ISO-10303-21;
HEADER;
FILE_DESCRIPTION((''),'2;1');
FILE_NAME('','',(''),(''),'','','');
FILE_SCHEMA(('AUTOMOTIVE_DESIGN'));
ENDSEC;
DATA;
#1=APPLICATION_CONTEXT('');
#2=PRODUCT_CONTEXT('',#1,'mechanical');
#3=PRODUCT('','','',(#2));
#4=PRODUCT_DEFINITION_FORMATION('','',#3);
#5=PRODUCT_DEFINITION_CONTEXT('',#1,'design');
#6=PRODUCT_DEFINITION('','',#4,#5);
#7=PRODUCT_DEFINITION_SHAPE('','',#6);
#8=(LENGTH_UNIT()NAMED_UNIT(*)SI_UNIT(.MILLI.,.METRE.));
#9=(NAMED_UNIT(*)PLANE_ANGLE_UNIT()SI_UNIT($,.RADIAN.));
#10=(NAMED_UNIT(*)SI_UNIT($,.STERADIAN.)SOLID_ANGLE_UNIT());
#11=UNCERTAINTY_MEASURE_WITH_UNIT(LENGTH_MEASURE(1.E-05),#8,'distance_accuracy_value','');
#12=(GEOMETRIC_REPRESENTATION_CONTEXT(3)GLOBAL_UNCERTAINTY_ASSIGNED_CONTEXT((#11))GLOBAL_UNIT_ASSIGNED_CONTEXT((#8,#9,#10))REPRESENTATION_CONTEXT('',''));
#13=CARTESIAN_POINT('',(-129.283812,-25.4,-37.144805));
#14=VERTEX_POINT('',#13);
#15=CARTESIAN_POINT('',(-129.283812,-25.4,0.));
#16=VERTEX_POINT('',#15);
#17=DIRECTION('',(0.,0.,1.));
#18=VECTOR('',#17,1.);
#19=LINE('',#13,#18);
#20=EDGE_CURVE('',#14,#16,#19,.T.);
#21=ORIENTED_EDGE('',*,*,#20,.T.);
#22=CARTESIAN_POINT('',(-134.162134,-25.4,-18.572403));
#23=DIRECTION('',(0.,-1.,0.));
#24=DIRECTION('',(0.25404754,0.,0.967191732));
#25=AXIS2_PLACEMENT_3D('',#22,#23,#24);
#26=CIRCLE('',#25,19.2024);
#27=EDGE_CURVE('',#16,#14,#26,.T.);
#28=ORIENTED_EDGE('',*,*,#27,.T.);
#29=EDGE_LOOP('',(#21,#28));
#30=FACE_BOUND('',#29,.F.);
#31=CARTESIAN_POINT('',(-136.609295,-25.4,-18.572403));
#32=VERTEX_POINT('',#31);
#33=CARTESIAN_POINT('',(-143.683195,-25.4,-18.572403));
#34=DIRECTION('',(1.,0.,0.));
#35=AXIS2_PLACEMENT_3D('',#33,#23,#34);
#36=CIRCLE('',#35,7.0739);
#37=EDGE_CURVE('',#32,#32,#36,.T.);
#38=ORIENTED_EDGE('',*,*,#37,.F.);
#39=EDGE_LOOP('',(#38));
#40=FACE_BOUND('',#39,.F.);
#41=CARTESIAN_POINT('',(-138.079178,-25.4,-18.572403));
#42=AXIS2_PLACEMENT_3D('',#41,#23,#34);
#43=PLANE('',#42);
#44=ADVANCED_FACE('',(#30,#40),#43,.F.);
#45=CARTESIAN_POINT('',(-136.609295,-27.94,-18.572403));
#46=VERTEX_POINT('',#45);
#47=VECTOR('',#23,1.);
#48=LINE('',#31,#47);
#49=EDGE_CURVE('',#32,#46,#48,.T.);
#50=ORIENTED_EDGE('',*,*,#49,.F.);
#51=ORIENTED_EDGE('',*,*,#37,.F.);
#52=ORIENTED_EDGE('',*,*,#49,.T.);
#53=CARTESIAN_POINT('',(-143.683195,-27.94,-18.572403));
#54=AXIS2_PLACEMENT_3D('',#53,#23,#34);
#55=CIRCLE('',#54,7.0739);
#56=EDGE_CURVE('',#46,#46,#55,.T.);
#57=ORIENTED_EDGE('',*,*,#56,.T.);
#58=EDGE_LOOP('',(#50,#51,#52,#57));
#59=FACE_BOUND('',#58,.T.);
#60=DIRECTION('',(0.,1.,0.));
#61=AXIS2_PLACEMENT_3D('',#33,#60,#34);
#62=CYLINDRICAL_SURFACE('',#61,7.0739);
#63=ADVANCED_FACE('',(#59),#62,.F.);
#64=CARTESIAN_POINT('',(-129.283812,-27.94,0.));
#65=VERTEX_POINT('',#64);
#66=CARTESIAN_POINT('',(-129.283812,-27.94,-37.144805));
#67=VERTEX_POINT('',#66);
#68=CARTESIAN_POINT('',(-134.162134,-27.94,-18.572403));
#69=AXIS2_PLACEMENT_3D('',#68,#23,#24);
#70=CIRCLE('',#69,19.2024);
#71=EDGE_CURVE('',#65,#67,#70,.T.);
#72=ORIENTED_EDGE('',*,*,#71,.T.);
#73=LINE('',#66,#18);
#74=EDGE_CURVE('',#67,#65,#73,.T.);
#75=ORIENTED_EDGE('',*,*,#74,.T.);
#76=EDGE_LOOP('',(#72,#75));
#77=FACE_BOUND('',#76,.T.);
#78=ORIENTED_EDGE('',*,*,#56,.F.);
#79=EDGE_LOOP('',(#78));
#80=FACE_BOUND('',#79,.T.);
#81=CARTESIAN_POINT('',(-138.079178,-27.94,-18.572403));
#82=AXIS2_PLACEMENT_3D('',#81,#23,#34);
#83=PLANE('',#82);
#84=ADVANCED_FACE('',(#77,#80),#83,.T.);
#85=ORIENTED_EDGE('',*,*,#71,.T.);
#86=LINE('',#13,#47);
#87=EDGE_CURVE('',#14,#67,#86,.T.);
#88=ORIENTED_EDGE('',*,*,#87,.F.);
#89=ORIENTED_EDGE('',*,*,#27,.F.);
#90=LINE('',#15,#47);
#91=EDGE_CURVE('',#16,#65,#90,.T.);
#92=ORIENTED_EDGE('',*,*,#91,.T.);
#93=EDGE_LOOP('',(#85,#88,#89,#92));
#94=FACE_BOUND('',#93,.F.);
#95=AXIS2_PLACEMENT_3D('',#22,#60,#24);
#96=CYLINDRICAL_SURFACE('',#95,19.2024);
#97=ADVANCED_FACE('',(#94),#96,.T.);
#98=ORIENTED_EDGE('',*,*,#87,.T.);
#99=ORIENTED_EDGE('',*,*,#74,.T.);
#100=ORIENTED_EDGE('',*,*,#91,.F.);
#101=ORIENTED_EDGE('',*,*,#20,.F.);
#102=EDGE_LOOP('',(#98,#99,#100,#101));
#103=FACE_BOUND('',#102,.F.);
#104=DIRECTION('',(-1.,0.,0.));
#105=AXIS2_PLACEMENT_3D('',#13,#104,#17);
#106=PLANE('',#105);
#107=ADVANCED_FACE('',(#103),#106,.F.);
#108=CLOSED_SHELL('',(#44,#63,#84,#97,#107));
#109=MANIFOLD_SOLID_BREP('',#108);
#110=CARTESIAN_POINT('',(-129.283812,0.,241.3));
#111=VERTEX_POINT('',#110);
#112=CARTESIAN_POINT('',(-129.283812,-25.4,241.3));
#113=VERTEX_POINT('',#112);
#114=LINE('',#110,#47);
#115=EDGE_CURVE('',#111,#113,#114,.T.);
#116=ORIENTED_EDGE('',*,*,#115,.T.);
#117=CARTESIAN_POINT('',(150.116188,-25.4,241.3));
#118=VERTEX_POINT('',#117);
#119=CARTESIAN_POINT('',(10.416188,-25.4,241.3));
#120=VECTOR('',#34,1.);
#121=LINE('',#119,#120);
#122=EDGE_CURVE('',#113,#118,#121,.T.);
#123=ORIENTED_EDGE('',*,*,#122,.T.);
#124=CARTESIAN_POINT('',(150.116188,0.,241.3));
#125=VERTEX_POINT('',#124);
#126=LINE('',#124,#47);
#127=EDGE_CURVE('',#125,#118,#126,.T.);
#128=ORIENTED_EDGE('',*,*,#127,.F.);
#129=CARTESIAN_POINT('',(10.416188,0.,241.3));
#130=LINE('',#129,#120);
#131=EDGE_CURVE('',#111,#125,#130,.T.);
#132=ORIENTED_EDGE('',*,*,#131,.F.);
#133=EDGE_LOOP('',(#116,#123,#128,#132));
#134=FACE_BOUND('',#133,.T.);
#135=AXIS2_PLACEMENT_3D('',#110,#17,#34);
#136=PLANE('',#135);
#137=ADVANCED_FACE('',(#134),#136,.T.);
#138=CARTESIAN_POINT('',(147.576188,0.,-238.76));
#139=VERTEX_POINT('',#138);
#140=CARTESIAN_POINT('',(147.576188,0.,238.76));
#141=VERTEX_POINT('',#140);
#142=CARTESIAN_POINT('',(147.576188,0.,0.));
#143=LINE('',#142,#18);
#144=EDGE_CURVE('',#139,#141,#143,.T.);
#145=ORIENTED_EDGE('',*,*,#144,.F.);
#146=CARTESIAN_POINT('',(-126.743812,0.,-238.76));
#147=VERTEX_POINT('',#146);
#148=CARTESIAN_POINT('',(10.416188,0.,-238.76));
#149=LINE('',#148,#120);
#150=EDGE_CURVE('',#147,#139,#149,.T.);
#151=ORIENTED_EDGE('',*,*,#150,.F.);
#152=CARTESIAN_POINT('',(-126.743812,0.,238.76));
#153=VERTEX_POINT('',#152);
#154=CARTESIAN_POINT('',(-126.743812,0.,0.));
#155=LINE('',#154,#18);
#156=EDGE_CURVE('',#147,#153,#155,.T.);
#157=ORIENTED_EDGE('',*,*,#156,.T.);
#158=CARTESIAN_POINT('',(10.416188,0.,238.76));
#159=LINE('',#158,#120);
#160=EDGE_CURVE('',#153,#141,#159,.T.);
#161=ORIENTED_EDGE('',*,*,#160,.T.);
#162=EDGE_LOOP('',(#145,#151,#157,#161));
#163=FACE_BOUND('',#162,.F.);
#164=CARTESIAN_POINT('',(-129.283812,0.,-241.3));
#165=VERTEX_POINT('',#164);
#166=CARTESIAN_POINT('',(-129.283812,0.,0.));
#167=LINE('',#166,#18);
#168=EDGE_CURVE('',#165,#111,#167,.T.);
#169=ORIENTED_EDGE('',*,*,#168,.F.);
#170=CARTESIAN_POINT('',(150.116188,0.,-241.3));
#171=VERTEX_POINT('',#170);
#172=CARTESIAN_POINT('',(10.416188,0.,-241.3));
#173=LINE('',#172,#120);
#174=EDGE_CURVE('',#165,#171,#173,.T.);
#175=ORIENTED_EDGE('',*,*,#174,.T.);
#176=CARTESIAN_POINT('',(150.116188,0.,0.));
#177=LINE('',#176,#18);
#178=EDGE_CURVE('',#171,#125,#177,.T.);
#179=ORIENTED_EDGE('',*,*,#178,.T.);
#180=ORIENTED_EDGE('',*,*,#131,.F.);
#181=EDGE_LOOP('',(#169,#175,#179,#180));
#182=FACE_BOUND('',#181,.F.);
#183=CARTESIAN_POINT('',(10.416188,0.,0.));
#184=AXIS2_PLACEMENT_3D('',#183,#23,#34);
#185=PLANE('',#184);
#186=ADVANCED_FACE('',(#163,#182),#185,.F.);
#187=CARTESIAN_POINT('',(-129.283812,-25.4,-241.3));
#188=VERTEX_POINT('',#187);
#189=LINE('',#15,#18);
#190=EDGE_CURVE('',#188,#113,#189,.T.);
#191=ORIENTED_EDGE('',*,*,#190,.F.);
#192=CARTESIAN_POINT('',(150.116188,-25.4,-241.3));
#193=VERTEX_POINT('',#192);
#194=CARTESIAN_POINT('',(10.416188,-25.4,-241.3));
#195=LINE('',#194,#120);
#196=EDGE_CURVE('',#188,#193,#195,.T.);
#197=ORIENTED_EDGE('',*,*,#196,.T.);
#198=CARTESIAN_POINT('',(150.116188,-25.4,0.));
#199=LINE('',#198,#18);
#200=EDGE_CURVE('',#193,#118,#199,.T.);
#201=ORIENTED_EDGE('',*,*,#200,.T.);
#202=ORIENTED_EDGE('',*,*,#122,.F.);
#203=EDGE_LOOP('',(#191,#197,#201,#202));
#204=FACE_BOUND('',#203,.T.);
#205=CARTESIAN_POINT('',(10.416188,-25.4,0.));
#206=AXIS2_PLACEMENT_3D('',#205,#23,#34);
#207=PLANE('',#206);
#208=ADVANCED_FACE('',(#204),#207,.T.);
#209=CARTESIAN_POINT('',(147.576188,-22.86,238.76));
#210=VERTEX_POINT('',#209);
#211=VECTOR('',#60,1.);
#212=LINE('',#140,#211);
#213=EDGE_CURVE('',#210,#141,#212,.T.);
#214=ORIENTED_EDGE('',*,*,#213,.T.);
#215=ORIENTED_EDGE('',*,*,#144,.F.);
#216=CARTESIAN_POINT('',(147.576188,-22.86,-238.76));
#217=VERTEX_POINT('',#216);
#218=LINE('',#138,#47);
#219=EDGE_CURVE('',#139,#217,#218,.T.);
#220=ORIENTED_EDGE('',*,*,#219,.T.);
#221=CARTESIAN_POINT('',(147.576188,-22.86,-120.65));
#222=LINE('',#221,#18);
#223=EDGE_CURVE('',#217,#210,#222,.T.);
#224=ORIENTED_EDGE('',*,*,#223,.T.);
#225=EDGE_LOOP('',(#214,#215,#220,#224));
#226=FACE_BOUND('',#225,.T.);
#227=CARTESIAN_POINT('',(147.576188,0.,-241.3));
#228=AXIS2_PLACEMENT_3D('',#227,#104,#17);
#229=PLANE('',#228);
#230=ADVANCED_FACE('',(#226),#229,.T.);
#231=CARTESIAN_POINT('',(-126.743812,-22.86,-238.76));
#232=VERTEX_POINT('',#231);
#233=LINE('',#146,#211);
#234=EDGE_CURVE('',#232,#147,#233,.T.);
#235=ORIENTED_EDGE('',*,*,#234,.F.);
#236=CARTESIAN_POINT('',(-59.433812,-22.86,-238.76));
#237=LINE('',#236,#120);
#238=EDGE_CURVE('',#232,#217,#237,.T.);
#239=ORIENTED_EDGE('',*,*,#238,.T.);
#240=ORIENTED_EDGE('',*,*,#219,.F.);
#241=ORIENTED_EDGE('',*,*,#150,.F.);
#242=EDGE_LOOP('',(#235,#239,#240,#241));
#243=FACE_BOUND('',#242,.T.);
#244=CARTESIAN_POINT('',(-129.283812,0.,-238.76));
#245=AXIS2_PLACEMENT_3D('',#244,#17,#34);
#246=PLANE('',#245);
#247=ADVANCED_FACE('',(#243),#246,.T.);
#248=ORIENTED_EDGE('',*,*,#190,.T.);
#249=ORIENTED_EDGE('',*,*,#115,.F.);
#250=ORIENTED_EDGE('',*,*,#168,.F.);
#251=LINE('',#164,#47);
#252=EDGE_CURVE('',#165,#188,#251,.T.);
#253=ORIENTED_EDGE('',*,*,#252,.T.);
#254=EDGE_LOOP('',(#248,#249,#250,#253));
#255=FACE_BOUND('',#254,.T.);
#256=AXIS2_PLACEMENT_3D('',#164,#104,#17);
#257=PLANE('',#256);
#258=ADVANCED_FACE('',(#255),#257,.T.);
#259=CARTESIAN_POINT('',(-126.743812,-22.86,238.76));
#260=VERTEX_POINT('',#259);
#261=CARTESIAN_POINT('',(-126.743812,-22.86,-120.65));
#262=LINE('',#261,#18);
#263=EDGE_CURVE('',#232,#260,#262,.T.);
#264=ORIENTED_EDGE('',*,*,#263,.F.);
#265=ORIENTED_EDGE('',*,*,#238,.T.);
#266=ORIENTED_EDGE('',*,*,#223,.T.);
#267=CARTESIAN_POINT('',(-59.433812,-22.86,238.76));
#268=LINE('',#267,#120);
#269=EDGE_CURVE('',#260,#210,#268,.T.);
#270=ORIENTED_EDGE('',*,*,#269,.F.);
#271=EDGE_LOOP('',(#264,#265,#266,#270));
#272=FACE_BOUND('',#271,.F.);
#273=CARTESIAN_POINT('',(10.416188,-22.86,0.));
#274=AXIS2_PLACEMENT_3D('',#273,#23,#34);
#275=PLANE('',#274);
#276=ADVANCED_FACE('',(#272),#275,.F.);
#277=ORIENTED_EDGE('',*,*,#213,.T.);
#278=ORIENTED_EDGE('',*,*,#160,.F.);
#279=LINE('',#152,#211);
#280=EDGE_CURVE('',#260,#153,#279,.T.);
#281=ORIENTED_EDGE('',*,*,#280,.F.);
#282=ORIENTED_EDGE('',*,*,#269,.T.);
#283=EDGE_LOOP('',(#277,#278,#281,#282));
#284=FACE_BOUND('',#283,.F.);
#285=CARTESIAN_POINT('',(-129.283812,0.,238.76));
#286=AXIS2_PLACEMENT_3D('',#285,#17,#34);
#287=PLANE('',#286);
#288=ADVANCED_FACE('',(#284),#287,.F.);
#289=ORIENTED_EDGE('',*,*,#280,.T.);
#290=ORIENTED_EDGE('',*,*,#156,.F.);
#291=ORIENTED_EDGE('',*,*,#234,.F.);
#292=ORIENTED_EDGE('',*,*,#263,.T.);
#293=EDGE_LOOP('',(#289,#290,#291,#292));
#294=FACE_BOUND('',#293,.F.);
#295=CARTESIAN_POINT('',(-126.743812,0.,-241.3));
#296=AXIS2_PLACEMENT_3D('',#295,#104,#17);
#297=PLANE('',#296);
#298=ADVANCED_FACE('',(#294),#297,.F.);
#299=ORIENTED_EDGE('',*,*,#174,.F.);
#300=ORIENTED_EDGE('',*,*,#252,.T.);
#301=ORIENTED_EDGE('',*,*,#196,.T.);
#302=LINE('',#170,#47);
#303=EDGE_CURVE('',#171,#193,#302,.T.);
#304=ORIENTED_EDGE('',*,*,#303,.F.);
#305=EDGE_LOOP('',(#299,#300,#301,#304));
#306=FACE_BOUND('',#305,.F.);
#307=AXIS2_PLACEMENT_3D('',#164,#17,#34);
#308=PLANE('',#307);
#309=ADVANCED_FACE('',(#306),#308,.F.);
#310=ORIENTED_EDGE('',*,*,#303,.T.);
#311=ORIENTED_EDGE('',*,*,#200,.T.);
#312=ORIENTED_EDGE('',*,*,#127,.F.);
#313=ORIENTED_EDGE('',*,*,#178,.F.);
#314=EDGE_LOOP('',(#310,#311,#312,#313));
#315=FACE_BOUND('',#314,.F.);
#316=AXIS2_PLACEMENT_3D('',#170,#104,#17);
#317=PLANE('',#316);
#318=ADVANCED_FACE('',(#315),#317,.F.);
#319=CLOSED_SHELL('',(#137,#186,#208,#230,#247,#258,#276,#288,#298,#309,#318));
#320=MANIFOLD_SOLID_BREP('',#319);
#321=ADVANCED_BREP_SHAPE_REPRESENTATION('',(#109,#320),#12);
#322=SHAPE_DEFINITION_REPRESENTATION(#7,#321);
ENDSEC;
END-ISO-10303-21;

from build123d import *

# Parameters (mm, degrees)
F0_W     = 279.4
F0_H     = 482.6
F1_DEPTH = 25.4
F2_T     = -2.54
F3_R     = 7.0739
F4_DEPTH = 2.54


with BuildPart() as f1:
    # F0 (on Front) → F1 (new body)
    with BuildSketch(Plane.XZ):
        with Locations((10.4161884375, 0)):
            Rectangle(F0_W, F0_H)
    extrude(amount=F1_DEPTH)

    # F2
    f2_openings = [f1.faces().sort_by_distance(p)[0] for p in [
        (10.416188, 0, 0),
    ]]
    offset(amount=F2_T, openings=f2_openings)


with BuildPart() as f4:
    # F3 (on face) → F4 (new body)
    with BuildSketch(Plane.XZ.offset(25.4)):
        with BuildLine():
            Line((-129.2838115625, -37.1448050436), (-129.2838115625, 0))
            ThreePointArc((-129.2838115625, 0), (-153.3645340536, -18.5724025218), (-129.2838115625, -37.1448050436))
        make_face()
        with Locations((-143.6831951141, -18.5724025218)):
            Circle(F3_R, mode=Mode.SUBTRACT)
    extrude(amount=F4_DEPTH)


solid = Compound([f1.part, f4.part])
